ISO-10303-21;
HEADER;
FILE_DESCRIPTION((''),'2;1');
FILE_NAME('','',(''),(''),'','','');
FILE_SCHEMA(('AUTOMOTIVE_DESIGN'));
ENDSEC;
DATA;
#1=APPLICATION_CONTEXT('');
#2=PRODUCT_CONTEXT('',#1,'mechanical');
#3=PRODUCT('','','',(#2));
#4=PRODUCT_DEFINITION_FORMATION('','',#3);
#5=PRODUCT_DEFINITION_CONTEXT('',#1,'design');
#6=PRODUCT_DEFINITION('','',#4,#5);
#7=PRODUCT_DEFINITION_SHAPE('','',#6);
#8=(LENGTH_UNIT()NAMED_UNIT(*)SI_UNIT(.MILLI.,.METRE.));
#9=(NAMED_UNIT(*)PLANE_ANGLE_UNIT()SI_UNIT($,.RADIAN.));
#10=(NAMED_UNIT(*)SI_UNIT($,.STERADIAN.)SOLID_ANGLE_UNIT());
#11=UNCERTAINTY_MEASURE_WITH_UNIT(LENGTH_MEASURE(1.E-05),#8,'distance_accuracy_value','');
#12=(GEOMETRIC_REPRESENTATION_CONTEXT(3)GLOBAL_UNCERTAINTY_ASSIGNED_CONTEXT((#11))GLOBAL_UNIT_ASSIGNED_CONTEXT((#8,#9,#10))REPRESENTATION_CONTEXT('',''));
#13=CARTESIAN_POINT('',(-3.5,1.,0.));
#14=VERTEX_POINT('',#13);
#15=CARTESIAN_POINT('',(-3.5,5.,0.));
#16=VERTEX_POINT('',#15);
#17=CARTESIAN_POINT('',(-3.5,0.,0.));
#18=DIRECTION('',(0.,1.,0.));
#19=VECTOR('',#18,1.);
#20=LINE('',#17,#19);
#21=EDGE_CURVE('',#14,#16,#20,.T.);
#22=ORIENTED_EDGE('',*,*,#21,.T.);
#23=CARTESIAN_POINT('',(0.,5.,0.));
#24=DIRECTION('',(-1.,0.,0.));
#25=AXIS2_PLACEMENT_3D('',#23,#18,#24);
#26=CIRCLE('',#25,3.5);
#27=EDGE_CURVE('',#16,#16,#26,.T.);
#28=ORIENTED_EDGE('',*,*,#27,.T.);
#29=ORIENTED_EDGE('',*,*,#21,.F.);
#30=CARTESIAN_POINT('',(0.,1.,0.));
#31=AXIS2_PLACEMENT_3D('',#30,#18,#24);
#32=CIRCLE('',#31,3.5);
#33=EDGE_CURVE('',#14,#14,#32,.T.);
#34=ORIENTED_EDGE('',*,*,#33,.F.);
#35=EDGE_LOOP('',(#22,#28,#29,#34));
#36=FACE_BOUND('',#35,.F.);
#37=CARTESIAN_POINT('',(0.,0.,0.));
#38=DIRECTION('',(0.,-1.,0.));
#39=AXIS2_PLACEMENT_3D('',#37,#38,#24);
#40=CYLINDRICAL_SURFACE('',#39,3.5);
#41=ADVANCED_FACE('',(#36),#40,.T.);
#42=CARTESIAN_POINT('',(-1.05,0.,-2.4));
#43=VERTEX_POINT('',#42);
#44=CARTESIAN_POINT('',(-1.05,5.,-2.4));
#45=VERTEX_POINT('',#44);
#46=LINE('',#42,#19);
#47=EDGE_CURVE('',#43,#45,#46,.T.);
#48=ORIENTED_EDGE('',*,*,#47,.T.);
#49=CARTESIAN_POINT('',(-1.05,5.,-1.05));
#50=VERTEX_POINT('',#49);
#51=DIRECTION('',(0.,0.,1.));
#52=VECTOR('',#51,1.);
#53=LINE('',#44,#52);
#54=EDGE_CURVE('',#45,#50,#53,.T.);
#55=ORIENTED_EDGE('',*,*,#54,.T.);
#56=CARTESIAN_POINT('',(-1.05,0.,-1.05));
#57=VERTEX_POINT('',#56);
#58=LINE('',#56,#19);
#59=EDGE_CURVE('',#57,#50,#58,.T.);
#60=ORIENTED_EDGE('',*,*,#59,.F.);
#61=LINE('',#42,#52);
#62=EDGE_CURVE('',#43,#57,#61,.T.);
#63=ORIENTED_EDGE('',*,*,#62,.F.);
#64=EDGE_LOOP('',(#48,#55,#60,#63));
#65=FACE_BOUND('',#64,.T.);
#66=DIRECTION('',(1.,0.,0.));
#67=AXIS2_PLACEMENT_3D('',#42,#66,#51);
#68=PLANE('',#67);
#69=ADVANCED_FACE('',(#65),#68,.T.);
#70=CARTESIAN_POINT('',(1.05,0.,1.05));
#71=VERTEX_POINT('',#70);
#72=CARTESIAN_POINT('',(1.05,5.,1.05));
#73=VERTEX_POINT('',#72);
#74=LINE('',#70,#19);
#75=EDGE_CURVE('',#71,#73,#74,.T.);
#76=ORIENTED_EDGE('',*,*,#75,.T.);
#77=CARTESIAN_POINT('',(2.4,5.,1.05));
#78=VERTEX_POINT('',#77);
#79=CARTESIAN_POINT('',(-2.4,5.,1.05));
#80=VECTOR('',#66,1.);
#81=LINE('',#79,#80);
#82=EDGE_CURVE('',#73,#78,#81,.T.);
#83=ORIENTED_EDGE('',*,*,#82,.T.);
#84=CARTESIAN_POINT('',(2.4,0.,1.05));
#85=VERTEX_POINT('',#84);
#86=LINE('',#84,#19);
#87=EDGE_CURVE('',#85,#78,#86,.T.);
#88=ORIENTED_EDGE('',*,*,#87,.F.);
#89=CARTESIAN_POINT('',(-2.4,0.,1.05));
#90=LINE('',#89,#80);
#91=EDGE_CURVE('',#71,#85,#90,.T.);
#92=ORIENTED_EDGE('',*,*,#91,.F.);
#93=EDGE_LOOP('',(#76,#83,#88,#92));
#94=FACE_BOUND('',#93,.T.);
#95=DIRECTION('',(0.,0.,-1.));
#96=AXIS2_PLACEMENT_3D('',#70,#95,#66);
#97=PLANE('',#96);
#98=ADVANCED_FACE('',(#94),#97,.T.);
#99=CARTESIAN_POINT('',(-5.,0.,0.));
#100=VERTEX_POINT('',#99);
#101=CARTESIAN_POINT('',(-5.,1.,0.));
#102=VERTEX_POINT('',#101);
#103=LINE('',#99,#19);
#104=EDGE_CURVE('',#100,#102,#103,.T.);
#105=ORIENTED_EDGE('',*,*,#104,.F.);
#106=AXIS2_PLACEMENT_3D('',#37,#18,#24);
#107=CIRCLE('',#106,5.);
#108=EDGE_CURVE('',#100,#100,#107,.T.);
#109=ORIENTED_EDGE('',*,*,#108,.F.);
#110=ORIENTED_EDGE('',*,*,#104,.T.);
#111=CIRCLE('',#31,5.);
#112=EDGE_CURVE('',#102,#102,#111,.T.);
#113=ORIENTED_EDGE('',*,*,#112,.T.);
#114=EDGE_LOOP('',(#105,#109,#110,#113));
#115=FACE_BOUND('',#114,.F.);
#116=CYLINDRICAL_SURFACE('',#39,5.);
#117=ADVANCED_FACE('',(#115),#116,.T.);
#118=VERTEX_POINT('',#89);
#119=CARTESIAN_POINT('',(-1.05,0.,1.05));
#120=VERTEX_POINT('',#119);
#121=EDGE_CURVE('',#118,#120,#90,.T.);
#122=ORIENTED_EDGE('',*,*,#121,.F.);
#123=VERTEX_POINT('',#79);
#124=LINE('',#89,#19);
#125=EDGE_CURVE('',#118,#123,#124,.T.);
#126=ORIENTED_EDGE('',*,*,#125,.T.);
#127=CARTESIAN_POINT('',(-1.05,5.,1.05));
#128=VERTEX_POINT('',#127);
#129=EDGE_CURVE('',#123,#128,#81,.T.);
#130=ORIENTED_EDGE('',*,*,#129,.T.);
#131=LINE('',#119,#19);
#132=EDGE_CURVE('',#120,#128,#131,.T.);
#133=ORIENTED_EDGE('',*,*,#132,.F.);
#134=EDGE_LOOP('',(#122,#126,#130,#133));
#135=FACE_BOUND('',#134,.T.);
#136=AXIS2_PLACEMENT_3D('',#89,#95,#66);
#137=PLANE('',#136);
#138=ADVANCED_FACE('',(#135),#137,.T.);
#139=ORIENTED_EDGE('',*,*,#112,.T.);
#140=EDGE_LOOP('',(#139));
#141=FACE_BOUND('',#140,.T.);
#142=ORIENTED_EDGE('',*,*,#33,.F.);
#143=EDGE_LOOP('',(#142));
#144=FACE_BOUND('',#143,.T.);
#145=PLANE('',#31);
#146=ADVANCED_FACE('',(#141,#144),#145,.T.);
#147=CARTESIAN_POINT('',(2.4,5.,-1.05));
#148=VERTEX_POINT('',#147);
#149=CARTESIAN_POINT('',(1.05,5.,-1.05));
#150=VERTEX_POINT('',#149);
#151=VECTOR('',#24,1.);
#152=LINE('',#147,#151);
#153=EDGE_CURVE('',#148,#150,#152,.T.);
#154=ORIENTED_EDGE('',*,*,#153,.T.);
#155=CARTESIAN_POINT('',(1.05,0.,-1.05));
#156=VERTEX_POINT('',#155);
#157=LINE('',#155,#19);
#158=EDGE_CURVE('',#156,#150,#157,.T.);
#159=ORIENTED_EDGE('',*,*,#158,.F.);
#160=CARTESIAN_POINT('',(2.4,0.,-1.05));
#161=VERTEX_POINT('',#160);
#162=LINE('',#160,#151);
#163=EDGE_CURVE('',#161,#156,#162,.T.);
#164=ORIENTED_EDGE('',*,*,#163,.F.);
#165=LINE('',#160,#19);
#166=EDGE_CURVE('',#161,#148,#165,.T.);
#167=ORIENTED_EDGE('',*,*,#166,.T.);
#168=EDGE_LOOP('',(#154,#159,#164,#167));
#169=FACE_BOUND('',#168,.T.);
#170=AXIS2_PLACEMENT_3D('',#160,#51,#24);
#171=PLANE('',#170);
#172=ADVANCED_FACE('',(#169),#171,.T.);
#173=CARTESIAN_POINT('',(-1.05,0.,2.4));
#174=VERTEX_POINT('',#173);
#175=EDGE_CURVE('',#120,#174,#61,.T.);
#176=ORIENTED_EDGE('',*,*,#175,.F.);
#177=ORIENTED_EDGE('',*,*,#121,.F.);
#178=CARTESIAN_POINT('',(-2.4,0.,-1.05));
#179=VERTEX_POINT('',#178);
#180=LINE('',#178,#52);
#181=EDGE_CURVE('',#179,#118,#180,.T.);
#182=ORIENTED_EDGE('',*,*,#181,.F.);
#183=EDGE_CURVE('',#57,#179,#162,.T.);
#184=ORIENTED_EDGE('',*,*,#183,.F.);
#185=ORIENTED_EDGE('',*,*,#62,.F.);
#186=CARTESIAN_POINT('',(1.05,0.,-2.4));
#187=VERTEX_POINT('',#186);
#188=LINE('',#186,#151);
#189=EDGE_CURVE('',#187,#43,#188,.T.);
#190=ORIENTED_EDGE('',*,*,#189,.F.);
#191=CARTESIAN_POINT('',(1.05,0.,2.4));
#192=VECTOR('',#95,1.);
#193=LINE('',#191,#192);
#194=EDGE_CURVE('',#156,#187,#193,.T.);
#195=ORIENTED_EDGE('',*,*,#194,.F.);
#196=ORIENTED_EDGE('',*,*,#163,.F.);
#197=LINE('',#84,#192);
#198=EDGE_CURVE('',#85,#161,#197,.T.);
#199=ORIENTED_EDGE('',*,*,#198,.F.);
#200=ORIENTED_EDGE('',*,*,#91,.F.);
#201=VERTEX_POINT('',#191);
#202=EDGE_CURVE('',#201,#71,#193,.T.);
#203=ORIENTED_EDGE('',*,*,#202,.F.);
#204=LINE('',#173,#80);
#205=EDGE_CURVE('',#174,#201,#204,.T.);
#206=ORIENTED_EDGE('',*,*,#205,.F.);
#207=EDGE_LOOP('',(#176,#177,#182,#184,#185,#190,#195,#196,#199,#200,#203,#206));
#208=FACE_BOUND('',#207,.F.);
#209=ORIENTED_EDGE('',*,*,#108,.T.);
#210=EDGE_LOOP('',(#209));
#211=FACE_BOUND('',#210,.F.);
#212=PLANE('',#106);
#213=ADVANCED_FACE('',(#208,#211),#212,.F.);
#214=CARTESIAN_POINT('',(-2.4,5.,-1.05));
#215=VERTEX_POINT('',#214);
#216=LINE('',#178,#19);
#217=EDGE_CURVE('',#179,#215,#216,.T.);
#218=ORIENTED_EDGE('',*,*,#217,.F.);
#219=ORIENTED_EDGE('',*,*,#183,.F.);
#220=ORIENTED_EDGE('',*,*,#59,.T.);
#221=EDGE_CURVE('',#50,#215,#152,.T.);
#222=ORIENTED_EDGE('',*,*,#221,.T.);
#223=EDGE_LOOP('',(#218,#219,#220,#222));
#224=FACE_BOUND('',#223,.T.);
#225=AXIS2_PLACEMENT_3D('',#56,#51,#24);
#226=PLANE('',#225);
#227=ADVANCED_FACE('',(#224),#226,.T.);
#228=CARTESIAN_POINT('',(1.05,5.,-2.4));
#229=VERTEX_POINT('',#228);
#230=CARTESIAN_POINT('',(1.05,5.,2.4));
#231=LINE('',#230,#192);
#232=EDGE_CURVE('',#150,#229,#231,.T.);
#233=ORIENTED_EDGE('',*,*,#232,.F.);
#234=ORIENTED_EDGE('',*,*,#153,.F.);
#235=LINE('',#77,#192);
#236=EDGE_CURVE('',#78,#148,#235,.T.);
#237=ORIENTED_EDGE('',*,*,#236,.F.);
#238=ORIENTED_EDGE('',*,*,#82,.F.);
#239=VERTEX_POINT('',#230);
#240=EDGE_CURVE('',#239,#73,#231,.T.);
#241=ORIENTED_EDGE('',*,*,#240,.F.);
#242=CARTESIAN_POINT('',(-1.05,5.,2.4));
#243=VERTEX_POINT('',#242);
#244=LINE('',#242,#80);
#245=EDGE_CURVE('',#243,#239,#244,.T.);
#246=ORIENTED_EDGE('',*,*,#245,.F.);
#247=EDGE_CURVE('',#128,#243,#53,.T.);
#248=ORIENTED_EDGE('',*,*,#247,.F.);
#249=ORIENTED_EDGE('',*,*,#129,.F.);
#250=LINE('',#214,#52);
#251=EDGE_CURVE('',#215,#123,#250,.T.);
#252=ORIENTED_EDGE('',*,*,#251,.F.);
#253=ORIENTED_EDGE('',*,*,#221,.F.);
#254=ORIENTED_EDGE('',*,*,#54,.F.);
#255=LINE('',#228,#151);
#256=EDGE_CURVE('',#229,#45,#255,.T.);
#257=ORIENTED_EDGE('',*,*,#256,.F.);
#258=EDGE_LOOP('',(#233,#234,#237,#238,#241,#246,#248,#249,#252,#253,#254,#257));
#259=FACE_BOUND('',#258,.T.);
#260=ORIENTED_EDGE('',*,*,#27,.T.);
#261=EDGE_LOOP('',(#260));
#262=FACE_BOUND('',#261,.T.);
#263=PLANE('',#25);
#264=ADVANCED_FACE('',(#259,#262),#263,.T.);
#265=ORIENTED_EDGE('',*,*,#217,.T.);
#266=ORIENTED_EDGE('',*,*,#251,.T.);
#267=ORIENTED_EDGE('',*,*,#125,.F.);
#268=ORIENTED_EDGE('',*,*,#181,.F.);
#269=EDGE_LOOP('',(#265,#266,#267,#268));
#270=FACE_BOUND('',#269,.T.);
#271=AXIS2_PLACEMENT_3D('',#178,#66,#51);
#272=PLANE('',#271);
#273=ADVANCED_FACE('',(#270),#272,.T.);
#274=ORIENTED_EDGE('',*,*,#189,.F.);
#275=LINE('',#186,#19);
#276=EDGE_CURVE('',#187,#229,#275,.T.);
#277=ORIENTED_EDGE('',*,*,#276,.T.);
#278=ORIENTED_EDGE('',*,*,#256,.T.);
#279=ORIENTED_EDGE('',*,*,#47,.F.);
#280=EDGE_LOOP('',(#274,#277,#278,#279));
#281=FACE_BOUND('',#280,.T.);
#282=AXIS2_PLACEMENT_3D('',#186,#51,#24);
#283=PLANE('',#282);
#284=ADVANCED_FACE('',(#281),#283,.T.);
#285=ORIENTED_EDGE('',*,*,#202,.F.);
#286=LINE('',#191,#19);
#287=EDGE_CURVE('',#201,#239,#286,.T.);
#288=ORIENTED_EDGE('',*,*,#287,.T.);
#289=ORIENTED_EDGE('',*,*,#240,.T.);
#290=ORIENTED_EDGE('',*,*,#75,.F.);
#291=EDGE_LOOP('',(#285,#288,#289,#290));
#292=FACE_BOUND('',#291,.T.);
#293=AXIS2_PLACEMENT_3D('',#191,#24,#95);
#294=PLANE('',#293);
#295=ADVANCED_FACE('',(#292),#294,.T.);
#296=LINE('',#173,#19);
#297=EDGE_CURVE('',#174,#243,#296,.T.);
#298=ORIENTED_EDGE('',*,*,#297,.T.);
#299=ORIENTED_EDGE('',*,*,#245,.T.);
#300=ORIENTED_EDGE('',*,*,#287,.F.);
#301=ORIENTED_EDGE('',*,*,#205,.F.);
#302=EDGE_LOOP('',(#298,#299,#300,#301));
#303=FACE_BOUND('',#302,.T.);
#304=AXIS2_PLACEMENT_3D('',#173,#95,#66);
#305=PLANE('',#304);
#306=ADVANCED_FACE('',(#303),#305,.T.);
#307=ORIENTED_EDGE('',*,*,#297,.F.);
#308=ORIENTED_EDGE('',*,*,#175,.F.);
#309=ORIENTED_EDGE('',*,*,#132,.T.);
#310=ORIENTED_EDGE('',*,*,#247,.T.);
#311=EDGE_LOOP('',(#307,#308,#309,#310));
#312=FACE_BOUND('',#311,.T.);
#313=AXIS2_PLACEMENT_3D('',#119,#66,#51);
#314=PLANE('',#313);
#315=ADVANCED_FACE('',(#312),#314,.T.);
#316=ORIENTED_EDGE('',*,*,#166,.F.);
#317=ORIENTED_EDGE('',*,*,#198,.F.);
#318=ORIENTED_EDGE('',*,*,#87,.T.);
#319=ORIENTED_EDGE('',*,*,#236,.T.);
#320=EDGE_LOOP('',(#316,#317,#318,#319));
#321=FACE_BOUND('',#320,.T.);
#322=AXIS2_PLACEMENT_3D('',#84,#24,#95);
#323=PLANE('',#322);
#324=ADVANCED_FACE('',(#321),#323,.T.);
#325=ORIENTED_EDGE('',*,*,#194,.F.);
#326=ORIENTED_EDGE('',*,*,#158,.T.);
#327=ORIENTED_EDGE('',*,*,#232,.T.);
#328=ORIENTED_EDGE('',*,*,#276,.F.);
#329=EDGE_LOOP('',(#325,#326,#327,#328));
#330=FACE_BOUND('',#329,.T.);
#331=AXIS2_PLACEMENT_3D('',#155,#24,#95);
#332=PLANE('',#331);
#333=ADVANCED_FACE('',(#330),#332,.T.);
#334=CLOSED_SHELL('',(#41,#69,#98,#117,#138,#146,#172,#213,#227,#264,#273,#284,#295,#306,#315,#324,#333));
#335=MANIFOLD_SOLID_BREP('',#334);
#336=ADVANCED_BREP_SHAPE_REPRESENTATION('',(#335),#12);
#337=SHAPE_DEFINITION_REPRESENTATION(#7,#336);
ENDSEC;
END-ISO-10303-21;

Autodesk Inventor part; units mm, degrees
ref_plane "YZ Plane" through (0, 0, 0) normal (1, 0, 0) x (0, 1, 0)
ref_plane "XZ Plane" through (0, 0, 0) normal (0, 1, 0) x (-1, 0, 0)
ref_plane "XY Plane" through (0, 0, 0) normal (0, 0, 1) x (1, 0, 0)
sketch "Szkic1" plane through (0, 0, 0) normal (0, 1, 0) x (-1, 0, 0)
  circle A0 centre (0, 0) radius 5
  circle A1 centre (0, 0) radius 3.5
  line L0 (2.4, 1.05) -> (-2.4, 1.05)
  line L1 (-2.4, 1.05) -> (-2.4, -1.05)
  line L2 (-2.4, -1.05) -> (2.4, -1.05)
  line L3 (2.4, -1.05) -> (2.4, 1.05)
  line L4 (1.05, 2.4) -> (-1.05, 2.4)
  line L5 (-1.05, 2.4) -> (-1.05, -2.4)
  line L6 (-1.05, -2.4) -> (1.05, -2.4)
  line L7 (1.05, -2.4) -> (1.05, 2.4)
  point P0 (-1.05, 0)
  point P1 (0, -1.05)
  point P2 (0, 2.4)
  point P3 (2.4, 0)
  point P4 (-1.05, 1.05)
  point P5 (1.05, 1.05)
  point P6 (1.05, -1.05)
  point P7 (-1.05, -1.05)
  dimension "d0" = 10
  dimension "d1" = 7
  dimension "d2" = 4.8
  dimension "d3" = 4.8
  dimension "d4" = 2.1
  dimension "d5" = 2.1
extrude "Wyciągnięcie proste1" add sketch "Szkic1" along normal blind 1 contours A0
extrude "Wyciągnięcie proste2" add sketch "Szkic1" along normal blind 5 contours A1
equation "\"d3\" = d2"
equation "\"d5\" = d4"
properties part number "lego1"
